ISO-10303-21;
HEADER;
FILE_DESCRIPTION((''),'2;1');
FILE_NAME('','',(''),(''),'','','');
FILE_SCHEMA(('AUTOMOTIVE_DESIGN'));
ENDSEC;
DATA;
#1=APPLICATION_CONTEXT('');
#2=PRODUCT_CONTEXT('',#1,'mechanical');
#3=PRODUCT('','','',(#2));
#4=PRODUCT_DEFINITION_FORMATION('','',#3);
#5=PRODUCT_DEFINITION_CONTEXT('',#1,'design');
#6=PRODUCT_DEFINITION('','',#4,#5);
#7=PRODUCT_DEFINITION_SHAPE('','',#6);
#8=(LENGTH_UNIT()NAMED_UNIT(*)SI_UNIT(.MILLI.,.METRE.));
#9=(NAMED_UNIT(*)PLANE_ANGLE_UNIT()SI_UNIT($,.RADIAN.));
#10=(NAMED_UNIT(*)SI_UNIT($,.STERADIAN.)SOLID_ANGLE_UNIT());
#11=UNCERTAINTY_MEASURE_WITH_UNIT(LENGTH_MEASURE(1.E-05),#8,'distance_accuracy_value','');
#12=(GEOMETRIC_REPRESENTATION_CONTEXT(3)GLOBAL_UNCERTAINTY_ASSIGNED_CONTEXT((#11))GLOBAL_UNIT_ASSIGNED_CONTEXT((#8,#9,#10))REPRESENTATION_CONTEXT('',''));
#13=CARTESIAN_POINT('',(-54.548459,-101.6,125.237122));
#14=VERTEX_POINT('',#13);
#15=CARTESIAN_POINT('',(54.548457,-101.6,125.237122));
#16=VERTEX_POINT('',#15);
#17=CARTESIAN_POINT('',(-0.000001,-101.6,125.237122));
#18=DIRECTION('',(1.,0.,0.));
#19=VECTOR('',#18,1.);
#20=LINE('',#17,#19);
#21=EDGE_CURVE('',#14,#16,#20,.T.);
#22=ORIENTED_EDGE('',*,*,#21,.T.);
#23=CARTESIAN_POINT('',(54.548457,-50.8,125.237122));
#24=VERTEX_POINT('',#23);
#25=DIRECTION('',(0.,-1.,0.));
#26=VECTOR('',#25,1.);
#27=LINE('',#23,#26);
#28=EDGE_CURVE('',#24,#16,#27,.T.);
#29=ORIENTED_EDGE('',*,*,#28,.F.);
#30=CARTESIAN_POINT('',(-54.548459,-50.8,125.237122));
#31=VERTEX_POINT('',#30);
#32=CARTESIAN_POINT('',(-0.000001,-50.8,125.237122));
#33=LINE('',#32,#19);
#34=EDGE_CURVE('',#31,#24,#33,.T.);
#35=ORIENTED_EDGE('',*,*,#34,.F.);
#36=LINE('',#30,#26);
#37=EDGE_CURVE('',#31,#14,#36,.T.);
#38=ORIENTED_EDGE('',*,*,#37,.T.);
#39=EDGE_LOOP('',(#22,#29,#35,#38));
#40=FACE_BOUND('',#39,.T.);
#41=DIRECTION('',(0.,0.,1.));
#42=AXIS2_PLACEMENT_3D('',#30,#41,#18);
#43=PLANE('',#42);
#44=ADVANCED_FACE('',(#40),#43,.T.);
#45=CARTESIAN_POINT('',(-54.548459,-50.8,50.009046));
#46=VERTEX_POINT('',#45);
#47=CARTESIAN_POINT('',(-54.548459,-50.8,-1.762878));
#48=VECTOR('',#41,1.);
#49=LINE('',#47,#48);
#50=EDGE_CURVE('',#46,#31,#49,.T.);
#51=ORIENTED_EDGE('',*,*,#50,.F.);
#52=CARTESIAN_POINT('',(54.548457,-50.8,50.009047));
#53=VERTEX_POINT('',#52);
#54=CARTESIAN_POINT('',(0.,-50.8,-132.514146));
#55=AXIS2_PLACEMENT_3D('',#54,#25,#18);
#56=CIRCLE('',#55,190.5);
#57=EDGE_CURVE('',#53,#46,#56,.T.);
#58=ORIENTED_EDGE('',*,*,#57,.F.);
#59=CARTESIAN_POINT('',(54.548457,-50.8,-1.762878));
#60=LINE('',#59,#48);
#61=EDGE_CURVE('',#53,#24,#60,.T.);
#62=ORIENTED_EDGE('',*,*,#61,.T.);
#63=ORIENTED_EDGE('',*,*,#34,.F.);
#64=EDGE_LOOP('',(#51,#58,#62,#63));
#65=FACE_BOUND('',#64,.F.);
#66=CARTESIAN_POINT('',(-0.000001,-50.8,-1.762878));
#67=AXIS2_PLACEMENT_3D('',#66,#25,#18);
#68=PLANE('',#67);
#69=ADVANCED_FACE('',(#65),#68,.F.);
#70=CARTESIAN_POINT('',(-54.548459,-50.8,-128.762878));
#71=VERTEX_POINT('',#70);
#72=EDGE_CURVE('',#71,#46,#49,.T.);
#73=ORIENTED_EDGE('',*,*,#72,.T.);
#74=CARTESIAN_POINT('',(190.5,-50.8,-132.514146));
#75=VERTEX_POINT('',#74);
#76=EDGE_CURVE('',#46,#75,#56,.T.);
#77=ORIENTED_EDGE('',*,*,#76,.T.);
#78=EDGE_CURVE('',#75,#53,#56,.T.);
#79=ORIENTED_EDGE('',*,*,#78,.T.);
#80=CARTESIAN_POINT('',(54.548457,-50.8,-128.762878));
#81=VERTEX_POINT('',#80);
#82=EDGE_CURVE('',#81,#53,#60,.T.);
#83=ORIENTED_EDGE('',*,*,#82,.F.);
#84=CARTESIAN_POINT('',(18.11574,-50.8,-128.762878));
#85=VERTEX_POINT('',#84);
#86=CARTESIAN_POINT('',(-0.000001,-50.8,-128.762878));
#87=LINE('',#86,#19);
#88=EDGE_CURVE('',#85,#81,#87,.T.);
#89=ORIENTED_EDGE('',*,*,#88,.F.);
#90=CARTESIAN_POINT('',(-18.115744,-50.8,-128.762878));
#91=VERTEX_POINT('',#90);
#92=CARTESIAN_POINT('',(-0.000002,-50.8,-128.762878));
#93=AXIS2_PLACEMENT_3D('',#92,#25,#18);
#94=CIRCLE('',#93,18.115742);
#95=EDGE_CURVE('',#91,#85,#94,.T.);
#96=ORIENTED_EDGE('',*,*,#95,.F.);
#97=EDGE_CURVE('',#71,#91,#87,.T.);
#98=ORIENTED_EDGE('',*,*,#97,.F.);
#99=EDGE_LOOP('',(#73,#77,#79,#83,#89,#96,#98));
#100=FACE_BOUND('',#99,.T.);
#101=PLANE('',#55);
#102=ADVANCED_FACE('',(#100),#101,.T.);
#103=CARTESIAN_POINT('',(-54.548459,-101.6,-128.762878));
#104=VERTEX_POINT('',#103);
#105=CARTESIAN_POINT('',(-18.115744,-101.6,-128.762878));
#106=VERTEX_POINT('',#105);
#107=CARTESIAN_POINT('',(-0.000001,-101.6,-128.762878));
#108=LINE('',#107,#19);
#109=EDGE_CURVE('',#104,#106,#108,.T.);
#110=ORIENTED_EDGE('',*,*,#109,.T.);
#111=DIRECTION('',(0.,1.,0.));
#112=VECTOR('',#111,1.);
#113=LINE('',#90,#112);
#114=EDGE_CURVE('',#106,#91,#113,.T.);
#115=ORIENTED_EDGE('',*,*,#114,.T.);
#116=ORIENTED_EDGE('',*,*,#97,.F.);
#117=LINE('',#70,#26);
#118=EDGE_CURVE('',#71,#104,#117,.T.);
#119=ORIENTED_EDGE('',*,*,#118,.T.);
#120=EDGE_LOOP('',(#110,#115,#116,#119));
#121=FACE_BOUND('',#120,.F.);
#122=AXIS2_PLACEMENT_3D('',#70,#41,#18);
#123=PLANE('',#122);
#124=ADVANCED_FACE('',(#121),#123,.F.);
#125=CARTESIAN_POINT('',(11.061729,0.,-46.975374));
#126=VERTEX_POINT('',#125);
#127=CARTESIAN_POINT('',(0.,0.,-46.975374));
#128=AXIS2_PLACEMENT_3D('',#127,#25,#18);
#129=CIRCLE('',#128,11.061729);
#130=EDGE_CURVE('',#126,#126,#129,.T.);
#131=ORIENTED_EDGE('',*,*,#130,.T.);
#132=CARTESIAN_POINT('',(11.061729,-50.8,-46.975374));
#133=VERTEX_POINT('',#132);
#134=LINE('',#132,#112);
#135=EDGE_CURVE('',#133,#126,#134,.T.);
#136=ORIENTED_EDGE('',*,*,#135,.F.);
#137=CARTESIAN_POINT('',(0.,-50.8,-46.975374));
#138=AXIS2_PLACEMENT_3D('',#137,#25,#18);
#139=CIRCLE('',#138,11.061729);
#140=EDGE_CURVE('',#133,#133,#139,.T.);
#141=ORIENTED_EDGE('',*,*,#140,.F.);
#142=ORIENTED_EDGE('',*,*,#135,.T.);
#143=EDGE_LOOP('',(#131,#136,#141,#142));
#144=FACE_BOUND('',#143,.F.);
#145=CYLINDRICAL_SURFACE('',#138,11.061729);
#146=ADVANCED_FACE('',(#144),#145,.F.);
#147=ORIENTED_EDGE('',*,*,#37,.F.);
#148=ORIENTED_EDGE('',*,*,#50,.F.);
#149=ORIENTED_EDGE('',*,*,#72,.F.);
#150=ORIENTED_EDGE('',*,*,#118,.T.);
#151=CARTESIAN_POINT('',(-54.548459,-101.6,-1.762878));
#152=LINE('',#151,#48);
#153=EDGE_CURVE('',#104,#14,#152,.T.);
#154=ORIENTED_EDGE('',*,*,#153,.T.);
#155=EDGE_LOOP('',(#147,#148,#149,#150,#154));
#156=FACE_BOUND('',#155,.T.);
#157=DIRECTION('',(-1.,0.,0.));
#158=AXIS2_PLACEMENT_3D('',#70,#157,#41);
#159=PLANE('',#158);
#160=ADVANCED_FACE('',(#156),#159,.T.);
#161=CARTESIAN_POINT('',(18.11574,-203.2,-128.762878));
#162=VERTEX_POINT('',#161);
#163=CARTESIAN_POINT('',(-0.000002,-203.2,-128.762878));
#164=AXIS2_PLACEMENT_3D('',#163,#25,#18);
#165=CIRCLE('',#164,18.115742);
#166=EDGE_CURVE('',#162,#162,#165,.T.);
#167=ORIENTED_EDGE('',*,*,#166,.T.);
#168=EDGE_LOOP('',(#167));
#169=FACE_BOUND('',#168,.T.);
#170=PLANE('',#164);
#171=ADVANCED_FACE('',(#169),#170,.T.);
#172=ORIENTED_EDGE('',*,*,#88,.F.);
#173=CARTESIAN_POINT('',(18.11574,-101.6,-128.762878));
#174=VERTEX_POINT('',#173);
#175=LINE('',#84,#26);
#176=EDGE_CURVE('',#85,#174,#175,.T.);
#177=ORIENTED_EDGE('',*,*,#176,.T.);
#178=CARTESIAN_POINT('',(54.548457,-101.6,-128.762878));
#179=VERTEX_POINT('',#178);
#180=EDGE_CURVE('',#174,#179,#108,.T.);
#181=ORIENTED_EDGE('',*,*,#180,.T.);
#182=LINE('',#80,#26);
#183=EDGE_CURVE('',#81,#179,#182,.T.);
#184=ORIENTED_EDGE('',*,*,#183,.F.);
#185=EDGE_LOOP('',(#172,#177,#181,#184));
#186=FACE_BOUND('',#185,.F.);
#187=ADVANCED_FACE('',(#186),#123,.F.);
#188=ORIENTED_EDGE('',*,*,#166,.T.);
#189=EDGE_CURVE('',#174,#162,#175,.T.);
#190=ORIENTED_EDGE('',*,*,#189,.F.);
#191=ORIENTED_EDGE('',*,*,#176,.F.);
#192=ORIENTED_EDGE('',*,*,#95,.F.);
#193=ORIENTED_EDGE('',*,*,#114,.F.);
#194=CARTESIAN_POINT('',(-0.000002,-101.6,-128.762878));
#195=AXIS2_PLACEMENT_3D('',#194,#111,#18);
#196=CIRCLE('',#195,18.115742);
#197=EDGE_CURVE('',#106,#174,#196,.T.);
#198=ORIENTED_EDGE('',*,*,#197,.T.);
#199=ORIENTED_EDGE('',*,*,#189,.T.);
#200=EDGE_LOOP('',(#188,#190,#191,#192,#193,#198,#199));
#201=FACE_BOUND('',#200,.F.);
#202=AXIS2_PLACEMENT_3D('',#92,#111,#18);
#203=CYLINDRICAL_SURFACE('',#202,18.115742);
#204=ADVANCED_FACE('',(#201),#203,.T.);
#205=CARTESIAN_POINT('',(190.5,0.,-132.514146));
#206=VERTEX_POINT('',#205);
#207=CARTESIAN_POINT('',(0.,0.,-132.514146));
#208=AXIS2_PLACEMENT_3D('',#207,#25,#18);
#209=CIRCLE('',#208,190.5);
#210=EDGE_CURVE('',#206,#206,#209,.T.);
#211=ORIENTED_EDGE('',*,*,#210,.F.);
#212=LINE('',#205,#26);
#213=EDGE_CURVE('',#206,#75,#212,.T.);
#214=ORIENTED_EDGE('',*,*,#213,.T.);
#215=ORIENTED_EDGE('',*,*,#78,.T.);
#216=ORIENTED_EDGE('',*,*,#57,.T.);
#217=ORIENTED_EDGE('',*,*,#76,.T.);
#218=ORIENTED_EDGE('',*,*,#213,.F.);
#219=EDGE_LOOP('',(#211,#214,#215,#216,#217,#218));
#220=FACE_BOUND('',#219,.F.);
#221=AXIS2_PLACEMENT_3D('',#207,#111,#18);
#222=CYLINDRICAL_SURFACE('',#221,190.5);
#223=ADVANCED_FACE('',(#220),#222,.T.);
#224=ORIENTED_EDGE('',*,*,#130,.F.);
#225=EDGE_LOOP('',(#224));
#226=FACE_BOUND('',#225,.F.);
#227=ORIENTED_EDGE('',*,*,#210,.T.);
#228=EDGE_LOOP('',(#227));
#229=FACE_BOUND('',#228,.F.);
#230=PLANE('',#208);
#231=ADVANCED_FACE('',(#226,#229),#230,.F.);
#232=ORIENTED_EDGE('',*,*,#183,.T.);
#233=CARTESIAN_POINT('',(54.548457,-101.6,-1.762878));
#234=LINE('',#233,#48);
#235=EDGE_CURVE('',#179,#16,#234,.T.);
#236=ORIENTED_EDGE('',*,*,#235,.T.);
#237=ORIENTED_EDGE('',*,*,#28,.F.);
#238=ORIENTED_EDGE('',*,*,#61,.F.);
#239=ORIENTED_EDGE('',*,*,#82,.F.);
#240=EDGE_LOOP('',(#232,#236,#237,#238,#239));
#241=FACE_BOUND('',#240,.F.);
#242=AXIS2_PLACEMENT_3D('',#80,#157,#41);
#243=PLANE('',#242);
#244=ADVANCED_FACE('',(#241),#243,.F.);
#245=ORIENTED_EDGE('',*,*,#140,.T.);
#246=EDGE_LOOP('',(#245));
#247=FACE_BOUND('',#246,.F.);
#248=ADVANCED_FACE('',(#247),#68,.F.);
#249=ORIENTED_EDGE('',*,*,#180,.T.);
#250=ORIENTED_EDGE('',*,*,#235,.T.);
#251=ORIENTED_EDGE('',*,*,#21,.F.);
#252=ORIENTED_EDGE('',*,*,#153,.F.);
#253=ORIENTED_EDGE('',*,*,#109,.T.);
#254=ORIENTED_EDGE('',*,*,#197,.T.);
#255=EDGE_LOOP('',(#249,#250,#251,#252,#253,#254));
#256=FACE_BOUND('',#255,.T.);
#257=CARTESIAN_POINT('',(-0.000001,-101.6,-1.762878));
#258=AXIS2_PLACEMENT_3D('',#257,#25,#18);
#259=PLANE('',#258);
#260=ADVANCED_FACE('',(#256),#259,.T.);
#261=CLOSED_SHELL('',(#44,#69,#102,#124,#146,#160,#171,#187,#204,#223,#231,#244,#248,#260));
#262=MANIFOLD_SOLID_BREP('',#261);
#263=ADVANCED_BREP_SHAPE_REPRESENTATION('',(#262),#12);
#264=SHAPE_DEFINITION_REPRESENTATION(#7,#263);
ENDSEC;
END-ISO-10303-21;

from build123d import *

# Parameters (mm, degrees)
F0_R     = 190.5
F1_DEPTH = 50.8
F2_R     = 11.061729
F3_DEPTH = 50.8
F4_W     = 109.096915
F4_H     = 254
F5_DEPTH = 50.8
F6_R     = 18.115742
F7_DEPTH = 152.4


with BuildPart() as f1:
    # F0 (on Front) → F1 (new body)
    with BuildSketch(Plane.XZ):
        with Locations((0, -132.514146)):
            Circle(F0_R)
    extrude(amount=F1_DEPTH)

    # F2 (on face) → F3 (cut)
    with BuildSketch(Plane.XZ.offset(50.8)):
        with Locations((0, -46.975374)):
            Circle(F2_R)
    extrude(amount=-F3_DEPTH, mode=Mode.SUBTRACT)

    # F4 (on face) → F5 (join)
    with BuildSketch(Plane.XZ.offset(50.8)):
        with Locations((-1e-06, -1.762878)):
            Rectangle(F4_W, F4_H)
    extrude(amount=F5_DEPTH)

    # F6 (on face) → F7 (join)
    with BuildSketch(Plane.XZ.offset(50.8)):
        with Locations((-2e-06, -128.762878)):
            Circle(F6_R)
    extrude(amount=F7_DEPTH)


solid = f1.part
